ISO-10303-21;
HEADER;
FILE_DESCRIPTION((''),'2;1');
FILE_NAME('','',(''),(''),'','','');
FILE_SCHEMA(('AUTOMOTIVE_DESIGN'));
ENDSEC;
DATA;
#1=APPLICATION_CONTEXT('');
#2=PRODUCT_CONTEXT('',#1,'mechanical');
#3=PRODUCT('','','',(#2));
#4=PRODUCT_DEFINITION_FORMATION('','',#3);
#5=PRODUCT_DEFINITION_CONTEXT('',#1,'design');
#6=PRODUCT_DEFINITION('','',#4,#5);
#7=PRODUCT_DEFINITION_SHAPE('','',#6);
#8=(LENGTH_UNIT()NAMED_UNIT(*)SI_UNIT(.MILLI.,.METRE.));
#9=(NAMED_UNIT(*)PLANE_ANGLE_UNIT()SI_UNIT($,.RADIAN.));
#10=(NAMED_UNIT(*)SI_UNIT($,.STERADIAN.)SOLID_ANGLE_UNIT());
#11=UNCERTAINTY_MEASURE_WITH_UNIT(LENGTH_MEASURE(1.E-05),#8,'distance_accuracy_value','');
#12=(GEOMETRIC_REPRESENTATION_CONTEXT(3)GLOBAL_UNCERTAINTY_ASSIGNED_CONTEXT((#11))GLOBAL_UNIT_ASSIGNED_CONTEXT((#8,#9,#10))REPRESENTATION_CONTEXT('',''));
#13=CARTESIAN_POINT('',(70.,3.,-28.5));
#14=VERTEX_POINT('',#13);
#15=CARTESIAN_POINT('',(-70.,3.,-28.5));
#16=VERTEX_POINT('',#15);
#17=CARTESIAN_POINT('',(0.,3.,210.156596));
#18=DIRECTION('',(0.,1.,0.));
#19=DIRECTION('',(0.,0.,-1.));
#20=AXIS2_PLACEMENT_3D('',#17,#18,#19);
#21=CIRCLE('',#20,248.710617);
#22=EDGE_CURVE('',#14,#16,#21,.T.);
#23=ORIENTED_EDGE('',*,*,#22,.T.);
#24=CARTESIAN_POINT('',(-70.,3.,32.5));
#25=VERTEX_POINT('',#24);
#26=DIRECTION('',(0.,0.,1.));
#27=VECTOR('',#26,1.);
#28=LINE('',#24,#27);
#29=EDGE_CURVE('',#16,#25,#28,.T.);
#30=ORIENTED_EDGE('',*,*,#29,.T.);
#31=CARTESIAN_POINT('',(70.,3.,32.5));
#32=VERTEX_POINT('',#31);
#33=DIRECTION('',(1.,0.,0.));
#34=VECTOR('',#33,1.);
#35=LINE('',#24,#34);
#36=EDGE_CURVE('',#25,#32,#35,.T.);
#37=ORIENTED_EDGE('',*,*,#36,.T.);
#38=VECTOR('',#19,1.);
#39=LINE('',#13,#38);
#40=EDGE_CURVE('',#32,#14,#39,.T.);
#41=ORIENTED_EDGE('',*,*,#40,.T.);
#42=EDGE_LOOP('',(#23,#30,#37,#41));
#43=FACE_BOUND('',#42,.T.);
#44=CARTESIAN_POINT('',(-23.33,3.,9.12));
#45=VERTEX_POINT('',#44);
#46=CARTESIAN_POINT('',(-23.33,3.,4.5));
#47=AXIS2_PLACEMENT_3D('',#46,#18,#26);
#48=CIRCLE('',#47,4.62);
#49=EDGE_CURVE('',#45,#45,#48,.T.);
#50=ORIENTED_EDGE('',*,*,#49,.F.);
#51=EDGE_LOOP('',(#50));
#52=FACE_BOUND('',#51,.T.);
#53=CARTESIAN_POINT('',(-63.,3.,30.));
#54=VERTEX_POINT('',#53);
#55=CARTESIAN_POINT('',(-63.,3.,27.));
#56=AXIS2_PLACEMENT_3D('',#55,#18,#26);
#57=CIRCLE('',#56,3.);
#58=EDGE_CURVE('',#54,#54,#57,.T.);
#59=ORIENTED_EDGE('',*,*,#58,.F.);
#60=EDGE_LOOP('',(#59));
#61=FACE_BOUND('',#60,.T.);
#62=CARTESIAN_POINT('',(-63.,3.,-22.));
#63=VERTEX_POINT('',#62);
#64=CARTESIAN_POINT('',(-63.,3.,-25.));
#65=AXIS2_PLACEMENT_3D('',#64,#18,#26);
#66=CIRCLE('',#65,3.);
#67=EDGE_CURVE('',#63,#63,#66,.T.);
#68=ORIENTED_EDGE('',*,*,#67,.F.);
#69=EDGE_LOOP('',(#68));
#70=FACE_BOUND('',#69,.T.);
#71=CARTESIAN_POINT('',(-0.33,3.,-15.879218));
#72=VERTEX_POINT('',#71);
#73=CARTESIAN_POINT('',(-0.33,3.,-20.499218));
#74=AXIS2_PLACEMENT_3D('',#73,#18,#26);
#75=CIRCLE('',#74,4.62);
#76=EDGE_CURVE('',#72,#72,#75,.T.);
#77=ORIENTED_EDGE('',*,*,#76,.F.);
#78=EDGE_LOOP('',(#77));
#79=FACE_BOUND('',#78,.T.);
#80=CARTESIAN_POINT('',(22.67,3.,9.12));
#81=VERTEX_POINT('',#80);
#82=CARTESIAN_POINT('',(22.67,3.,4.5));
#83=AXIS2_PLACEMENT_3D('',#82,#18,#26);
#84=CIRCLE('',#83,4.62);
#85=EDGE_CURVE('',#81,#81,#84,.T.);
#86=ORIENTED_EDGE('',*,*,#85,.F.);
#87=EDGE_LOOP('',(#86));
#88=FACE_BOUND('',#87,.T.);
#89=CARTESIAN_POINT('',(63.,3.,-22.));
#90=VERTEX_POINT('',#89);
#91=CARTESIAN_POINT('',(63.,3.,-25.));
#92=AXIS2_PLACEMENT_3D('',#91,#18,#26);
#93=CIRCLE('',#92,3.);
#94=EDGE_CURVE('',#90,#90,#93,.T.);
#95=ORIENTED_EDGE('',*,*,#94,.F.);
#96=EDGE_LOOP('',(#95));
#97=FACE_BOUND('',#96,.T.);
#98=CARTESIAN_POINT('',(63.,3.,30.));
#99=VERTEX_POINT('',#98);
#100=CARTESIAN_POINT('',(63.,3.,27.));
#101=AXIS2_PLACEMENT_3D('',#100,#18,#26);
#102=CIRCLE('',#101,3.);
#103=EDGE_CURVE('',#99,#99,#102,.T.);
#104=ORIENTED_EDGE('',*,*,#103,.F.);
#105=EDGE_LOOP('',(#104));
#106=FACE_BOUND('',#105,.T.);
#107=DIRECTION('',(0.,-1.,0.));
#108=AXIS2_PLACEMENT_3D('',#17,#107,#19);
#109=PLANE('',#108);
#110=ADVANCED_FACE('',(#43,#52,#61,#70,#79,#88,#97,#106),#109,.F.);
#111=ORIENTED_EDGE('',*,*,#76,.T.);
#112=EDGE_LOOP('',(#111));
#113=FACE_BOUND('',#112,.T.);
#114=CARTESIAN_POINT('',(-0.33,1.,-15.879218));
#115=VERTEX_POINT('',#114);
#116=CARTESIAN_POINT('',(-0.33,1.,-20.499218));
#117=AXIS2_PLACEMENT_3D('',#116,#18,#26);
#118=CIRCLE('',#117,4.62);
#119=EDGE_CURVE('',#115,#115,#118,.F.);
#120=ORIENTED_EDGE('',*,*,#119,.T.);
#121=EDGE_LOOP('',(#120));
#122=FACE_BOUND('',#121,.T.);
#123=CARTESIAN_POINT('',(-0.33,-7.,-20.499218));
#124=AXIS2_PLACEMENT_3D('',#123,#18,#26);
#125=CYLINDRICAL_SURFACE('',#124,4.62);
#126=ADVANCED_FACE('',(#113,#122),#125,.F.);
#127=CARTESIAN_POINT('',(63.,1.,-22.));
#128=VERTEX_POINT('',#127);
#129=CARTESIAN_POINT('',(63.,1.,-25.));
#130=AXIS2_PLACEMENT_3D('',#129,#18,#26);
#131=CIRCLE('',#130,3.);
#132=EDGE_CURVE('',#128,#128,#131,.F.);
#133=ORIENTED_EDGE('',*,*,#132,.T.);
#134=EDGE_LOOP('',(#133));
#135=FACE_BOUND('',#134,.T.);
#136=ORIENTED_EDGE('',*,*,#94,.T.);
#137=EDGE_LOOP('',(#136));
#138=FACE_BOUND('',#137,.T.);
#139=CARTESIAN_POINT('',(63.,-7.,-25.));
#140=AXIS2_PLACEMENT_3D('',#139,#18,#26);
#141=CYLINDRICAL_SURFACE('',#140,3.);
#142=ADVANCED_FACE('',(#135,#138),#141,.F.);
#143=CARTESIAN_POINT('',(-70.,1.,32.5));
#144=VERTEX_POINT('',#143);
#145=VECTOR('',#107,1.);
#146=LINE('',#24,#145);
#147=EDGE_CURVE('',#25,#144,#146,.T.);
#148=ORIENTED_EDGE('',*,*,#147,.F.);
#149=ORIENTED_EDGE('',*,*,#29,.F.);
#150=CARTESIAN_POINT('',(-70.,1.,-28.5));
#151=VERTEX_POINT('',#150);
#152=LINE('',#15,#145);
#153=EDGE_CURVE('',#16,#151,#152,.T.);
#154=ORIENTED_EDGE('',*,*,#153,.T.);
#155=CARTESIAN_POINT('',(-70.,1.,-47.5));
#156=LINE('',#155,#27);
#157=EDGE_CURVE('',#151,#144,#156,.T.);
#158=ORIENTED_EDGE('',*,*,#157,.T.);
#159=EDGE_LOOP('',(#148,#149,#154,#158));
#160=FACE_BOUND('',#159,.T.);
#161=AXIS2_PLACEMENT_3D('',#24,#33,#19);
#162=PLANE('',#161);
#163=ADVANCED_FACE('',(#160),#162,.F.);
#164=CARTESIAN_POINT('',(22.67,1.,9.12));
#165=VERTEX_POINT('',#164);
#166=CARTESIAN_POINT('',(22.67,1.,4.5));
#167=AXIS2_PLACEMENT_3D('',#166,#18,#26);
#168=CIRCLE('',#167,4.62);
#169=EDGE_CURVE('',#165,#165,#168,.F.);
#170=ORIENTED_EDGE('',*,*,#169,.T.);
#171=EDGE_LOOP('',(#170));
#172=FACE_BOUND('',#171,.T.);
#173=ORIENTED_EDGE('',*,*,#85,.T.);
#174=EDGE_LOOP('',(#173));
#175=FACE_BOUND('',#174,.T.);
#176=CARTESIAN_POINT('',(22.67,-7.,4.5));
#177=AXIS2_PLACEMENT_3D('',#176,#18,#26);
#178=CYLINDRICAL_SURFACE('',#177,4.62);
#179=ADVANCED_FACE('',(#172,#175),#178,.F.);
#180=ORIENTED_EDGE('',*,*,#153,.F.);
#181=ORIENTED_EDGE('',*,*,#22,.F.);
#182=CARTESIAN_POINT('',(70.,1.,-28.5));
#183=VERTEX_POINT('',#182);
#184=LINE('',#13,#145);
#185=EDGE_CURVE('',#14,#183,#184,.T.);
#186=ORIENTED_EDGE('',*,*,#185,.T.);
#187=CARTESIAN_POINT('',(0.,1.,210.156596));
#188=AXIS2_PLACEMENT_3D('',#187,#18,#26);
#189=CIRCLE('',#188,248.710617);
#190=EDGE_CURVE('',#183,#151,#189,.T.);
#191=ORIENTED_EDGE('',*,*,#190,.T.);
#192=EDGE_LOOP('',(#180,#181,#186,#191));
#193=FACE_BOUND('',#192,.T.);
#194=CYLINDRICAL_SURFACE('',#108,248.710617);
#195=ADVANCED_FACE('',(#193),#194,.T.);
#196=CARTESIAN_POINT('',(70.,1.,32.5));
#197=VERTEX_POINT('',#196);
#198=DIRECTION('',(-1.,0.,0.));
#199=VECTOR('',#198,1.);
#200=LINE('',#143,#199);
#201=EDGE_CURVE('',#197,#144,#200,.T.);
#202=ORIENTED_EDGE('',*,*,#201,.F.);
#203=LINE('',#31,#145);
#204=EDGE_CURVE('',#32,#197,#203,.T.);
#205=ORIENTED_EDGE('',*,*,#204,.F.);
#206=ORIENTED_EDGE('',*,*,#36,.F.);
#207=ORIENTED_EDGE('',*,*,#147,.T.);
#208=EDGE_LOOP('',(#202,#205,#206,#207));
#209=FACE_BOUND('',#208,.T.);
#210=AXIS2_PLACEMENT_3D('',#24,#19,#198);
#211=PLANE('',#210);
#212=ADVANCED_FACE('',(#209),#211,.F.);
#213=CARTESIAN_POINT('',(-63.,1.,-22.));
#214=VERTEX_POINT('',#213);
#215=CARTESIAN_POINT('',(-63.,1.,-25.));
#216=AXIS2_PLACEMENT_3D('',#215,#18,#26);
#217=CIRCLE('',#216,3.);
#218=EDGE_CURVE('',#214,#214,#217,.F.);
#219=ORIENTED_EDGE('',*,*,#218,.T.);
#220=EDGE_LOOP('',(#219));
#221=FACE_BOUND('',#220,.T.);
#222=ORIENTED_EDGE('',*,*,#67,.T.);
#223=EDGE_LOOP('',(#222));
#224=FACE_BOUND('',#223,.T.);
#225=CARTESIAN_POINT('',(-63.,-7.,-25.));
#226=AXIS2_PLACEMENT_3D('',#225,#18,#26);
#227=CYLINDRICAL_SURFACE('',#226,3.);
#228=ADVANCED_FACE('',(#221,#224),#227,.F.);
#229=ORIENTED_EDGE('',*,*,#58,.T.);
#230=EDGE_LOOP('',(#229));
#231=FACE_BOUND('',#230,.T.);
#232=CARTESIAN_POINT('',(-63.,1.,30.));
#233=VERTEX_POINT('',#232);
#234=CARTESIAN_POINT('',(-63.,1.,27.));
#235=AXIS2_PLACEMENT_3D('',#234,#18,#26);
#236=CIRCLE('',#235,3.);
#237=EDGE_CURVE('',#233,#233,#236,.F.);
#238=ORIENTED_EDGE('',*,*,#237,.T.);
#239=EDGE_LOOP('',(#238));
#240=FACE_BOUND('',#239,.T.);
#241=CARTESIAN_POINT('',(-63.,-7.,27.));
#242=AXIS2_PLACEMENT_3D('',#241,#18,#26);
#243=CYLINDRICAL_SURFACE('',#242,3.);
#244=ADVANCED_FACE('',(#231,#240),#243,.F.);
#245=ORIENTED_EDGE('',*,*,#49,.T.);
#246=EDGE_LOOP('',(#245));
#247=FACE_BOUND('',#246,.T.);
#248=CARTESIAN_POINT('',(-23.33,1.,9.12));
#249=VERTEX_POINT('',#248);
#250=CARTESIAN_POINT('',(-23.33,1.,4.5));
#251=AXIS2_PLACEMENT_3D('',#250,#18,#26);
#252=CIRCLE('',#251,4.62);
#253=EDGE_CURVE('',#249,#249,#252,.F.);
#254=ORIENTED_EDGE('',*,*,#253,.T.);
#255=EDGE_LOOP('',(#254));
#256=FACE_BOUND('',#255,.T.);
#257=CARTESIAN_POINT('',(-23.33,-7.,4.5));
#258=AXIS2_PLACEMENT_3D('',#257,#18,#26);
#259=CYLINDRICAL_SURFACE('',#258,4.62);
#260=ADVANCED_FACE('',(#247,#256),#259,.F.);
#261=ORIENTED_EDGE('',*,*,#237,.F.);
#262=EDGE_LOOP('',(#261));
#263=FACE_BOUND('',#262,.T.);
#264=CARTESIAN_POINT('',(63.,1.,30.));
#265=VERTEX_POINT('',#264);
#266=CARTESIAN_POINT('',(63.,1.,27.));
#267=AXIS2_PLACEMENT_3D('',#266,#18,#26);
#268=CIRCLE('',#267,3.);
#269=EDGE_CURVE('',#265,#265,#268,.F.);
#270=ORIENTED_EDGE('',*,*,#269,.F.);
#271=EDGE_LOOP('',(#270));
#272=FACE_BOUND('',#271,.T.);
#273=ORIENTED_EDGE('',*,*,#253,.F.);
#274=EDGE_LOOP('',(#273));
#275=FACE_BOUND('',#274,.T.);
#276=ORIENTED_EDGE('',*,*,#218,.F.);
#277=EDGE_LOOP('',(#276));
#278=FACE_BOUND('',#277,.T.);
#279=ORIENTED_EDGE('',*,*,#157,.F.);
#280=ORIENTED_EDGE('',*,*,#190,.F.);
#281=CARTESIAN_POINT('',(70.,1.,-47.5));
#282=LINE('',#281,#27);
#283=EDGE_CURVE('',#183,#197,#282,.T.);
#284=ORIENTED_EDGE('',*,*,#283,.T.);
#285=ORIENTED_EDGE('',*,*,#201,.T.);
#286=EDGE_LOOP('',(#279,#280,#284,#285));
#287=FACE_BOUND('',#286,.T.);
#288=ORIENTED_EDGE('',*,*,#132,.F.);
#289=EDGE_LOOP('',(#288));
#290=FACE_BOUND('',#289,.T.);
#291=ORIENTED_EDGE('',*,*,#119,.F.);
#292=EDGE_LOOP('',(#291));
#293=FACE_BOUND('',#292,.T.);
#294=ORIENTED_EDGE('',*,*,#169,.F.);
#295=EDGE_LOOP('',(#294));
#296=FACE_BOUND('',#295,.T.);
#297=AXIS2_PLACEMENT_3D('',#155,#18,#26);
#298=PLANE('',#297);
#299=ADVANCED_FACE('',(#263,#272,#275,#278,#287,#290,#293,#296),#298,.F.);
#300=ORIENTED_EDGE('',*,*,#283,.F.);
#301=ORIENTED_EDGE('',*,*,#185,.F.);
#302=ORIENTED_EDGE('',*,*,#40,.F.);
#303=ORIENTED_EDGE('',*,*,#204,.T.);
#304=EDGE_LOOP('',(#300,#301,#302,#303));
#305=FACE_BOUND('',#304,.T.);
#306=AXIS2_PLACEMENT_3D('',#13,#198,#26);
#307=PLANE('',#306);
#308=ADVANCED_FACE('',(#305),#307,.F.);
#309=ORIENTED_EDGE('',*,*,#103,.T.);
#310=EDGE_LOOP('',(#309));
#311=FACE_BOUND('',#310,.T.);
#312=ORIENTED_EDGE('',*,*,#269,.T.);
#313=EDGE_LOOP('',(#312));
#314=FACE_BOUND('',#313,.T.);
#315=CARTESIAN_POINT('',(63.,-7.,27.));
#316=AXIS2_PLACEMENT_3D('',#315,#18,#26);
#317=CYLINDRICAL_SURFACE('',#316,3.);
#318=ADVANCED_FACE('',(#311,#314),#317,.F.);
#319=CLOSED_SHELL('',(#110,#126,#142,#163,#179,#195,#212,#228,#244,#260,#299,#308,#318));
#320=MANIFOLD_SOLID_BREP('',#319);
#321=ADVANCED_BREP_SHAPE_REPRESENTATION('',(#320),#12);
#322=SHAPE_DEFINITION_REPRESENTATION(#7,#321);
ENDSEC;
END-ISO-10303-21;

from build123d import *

# Parameters (mm, degrees)
BOSS_EXTRUDE1_DEPTH = 3
SKETCH3_R           = 3
CUT_EXTRUDE1_DEPTH  = 10
SKETCH4_R           = 4.62
CUT_EXTRUDE2_DEPTH  = 10
SKETCH5_W           = 140
SKETCH5_H           = 1
CUT_EXTRUDE3_DEPTH  = 80


with BuildPart() as part:
    # Sketch1 → Boss-Extrude1 (new body)
    with BuildSketch(Plane(origin=(0, 0, 0), x_dir=(1, 0, 0), z_dir=(0, 1, 0))):
        with BuildLine():
            Line((70, 28.5), (70, -32.5))
            Line((70, -32.5), (-70, -32.5))
            Line((-70, -32.5), (-70, 28.5))
            ThreePointArc((-70, 28.5), (0, 38.554020598), (70, 28.5))
        make_face()
    extrude(amount=BOSS_EXTRUDE1_DEPTH)

    # Sketch3 → Cut-Extrude1 (cut)
    with BuildSketch(Plane(origin=(0, 3, 0), x_dir=(1, 0, 0), z_dir=(0, 1, 0))):
        with Locations(Location((-63, 25, 0), (0, 0, 270))):
            Circle(SKETCH3_R)
        with Locations(Location((-63, -27, 0), (0, 0, 270))):
            Circle(SKETCH3_R)
        with Locations(Location((63, 25, 0), (0, 0, 270))):
            Circle(SKETCH3_R)
        with Locations(Location((63, -27, 0), (0, 0, 270))):
            Circle(SKETCH3_R)
    extrude(amount=-CUT_EXTRUDE1_DEPTH, mode=Mode.SUBTRACT)

    # Sketch4 → Cut-Extrude2 (cut)
    with BuildSketch(Plane(origin=(0, 3, 0), x_dir=(1, 0, 0), z_dir=(0, 1, 0))):
        with Locations(Location((-23.33, -4.5, 0), (0, 0, 270))):
            Circle(SKETCH4_R)
        with Locations(Location((22.67, -4.5, 0), (0, 0, 270))):
            Circle(SKETCH4_R)
        with Locations(Location((-0.33, 20.499217988, 0), (0, 0, 270))):
            Circle(SKETCH4_R)
    extrude(amount=-CUT_EXTRUDE2_DEPTH, mode=Mode.SUBTRACT)

    # Sketch5 → Cut-Extrude3 (cut)
    with BuildSketch(Plane.XY.offset(32.5)):
        with Locations((0, 0.5)):
            Rectangle(SKETCH5_W, SKETCH5_H)
    extrude(amount=-CUT_EXTRUDE3_DEPTH, mode=Mode.SUBTRACT)


solid = part.part
